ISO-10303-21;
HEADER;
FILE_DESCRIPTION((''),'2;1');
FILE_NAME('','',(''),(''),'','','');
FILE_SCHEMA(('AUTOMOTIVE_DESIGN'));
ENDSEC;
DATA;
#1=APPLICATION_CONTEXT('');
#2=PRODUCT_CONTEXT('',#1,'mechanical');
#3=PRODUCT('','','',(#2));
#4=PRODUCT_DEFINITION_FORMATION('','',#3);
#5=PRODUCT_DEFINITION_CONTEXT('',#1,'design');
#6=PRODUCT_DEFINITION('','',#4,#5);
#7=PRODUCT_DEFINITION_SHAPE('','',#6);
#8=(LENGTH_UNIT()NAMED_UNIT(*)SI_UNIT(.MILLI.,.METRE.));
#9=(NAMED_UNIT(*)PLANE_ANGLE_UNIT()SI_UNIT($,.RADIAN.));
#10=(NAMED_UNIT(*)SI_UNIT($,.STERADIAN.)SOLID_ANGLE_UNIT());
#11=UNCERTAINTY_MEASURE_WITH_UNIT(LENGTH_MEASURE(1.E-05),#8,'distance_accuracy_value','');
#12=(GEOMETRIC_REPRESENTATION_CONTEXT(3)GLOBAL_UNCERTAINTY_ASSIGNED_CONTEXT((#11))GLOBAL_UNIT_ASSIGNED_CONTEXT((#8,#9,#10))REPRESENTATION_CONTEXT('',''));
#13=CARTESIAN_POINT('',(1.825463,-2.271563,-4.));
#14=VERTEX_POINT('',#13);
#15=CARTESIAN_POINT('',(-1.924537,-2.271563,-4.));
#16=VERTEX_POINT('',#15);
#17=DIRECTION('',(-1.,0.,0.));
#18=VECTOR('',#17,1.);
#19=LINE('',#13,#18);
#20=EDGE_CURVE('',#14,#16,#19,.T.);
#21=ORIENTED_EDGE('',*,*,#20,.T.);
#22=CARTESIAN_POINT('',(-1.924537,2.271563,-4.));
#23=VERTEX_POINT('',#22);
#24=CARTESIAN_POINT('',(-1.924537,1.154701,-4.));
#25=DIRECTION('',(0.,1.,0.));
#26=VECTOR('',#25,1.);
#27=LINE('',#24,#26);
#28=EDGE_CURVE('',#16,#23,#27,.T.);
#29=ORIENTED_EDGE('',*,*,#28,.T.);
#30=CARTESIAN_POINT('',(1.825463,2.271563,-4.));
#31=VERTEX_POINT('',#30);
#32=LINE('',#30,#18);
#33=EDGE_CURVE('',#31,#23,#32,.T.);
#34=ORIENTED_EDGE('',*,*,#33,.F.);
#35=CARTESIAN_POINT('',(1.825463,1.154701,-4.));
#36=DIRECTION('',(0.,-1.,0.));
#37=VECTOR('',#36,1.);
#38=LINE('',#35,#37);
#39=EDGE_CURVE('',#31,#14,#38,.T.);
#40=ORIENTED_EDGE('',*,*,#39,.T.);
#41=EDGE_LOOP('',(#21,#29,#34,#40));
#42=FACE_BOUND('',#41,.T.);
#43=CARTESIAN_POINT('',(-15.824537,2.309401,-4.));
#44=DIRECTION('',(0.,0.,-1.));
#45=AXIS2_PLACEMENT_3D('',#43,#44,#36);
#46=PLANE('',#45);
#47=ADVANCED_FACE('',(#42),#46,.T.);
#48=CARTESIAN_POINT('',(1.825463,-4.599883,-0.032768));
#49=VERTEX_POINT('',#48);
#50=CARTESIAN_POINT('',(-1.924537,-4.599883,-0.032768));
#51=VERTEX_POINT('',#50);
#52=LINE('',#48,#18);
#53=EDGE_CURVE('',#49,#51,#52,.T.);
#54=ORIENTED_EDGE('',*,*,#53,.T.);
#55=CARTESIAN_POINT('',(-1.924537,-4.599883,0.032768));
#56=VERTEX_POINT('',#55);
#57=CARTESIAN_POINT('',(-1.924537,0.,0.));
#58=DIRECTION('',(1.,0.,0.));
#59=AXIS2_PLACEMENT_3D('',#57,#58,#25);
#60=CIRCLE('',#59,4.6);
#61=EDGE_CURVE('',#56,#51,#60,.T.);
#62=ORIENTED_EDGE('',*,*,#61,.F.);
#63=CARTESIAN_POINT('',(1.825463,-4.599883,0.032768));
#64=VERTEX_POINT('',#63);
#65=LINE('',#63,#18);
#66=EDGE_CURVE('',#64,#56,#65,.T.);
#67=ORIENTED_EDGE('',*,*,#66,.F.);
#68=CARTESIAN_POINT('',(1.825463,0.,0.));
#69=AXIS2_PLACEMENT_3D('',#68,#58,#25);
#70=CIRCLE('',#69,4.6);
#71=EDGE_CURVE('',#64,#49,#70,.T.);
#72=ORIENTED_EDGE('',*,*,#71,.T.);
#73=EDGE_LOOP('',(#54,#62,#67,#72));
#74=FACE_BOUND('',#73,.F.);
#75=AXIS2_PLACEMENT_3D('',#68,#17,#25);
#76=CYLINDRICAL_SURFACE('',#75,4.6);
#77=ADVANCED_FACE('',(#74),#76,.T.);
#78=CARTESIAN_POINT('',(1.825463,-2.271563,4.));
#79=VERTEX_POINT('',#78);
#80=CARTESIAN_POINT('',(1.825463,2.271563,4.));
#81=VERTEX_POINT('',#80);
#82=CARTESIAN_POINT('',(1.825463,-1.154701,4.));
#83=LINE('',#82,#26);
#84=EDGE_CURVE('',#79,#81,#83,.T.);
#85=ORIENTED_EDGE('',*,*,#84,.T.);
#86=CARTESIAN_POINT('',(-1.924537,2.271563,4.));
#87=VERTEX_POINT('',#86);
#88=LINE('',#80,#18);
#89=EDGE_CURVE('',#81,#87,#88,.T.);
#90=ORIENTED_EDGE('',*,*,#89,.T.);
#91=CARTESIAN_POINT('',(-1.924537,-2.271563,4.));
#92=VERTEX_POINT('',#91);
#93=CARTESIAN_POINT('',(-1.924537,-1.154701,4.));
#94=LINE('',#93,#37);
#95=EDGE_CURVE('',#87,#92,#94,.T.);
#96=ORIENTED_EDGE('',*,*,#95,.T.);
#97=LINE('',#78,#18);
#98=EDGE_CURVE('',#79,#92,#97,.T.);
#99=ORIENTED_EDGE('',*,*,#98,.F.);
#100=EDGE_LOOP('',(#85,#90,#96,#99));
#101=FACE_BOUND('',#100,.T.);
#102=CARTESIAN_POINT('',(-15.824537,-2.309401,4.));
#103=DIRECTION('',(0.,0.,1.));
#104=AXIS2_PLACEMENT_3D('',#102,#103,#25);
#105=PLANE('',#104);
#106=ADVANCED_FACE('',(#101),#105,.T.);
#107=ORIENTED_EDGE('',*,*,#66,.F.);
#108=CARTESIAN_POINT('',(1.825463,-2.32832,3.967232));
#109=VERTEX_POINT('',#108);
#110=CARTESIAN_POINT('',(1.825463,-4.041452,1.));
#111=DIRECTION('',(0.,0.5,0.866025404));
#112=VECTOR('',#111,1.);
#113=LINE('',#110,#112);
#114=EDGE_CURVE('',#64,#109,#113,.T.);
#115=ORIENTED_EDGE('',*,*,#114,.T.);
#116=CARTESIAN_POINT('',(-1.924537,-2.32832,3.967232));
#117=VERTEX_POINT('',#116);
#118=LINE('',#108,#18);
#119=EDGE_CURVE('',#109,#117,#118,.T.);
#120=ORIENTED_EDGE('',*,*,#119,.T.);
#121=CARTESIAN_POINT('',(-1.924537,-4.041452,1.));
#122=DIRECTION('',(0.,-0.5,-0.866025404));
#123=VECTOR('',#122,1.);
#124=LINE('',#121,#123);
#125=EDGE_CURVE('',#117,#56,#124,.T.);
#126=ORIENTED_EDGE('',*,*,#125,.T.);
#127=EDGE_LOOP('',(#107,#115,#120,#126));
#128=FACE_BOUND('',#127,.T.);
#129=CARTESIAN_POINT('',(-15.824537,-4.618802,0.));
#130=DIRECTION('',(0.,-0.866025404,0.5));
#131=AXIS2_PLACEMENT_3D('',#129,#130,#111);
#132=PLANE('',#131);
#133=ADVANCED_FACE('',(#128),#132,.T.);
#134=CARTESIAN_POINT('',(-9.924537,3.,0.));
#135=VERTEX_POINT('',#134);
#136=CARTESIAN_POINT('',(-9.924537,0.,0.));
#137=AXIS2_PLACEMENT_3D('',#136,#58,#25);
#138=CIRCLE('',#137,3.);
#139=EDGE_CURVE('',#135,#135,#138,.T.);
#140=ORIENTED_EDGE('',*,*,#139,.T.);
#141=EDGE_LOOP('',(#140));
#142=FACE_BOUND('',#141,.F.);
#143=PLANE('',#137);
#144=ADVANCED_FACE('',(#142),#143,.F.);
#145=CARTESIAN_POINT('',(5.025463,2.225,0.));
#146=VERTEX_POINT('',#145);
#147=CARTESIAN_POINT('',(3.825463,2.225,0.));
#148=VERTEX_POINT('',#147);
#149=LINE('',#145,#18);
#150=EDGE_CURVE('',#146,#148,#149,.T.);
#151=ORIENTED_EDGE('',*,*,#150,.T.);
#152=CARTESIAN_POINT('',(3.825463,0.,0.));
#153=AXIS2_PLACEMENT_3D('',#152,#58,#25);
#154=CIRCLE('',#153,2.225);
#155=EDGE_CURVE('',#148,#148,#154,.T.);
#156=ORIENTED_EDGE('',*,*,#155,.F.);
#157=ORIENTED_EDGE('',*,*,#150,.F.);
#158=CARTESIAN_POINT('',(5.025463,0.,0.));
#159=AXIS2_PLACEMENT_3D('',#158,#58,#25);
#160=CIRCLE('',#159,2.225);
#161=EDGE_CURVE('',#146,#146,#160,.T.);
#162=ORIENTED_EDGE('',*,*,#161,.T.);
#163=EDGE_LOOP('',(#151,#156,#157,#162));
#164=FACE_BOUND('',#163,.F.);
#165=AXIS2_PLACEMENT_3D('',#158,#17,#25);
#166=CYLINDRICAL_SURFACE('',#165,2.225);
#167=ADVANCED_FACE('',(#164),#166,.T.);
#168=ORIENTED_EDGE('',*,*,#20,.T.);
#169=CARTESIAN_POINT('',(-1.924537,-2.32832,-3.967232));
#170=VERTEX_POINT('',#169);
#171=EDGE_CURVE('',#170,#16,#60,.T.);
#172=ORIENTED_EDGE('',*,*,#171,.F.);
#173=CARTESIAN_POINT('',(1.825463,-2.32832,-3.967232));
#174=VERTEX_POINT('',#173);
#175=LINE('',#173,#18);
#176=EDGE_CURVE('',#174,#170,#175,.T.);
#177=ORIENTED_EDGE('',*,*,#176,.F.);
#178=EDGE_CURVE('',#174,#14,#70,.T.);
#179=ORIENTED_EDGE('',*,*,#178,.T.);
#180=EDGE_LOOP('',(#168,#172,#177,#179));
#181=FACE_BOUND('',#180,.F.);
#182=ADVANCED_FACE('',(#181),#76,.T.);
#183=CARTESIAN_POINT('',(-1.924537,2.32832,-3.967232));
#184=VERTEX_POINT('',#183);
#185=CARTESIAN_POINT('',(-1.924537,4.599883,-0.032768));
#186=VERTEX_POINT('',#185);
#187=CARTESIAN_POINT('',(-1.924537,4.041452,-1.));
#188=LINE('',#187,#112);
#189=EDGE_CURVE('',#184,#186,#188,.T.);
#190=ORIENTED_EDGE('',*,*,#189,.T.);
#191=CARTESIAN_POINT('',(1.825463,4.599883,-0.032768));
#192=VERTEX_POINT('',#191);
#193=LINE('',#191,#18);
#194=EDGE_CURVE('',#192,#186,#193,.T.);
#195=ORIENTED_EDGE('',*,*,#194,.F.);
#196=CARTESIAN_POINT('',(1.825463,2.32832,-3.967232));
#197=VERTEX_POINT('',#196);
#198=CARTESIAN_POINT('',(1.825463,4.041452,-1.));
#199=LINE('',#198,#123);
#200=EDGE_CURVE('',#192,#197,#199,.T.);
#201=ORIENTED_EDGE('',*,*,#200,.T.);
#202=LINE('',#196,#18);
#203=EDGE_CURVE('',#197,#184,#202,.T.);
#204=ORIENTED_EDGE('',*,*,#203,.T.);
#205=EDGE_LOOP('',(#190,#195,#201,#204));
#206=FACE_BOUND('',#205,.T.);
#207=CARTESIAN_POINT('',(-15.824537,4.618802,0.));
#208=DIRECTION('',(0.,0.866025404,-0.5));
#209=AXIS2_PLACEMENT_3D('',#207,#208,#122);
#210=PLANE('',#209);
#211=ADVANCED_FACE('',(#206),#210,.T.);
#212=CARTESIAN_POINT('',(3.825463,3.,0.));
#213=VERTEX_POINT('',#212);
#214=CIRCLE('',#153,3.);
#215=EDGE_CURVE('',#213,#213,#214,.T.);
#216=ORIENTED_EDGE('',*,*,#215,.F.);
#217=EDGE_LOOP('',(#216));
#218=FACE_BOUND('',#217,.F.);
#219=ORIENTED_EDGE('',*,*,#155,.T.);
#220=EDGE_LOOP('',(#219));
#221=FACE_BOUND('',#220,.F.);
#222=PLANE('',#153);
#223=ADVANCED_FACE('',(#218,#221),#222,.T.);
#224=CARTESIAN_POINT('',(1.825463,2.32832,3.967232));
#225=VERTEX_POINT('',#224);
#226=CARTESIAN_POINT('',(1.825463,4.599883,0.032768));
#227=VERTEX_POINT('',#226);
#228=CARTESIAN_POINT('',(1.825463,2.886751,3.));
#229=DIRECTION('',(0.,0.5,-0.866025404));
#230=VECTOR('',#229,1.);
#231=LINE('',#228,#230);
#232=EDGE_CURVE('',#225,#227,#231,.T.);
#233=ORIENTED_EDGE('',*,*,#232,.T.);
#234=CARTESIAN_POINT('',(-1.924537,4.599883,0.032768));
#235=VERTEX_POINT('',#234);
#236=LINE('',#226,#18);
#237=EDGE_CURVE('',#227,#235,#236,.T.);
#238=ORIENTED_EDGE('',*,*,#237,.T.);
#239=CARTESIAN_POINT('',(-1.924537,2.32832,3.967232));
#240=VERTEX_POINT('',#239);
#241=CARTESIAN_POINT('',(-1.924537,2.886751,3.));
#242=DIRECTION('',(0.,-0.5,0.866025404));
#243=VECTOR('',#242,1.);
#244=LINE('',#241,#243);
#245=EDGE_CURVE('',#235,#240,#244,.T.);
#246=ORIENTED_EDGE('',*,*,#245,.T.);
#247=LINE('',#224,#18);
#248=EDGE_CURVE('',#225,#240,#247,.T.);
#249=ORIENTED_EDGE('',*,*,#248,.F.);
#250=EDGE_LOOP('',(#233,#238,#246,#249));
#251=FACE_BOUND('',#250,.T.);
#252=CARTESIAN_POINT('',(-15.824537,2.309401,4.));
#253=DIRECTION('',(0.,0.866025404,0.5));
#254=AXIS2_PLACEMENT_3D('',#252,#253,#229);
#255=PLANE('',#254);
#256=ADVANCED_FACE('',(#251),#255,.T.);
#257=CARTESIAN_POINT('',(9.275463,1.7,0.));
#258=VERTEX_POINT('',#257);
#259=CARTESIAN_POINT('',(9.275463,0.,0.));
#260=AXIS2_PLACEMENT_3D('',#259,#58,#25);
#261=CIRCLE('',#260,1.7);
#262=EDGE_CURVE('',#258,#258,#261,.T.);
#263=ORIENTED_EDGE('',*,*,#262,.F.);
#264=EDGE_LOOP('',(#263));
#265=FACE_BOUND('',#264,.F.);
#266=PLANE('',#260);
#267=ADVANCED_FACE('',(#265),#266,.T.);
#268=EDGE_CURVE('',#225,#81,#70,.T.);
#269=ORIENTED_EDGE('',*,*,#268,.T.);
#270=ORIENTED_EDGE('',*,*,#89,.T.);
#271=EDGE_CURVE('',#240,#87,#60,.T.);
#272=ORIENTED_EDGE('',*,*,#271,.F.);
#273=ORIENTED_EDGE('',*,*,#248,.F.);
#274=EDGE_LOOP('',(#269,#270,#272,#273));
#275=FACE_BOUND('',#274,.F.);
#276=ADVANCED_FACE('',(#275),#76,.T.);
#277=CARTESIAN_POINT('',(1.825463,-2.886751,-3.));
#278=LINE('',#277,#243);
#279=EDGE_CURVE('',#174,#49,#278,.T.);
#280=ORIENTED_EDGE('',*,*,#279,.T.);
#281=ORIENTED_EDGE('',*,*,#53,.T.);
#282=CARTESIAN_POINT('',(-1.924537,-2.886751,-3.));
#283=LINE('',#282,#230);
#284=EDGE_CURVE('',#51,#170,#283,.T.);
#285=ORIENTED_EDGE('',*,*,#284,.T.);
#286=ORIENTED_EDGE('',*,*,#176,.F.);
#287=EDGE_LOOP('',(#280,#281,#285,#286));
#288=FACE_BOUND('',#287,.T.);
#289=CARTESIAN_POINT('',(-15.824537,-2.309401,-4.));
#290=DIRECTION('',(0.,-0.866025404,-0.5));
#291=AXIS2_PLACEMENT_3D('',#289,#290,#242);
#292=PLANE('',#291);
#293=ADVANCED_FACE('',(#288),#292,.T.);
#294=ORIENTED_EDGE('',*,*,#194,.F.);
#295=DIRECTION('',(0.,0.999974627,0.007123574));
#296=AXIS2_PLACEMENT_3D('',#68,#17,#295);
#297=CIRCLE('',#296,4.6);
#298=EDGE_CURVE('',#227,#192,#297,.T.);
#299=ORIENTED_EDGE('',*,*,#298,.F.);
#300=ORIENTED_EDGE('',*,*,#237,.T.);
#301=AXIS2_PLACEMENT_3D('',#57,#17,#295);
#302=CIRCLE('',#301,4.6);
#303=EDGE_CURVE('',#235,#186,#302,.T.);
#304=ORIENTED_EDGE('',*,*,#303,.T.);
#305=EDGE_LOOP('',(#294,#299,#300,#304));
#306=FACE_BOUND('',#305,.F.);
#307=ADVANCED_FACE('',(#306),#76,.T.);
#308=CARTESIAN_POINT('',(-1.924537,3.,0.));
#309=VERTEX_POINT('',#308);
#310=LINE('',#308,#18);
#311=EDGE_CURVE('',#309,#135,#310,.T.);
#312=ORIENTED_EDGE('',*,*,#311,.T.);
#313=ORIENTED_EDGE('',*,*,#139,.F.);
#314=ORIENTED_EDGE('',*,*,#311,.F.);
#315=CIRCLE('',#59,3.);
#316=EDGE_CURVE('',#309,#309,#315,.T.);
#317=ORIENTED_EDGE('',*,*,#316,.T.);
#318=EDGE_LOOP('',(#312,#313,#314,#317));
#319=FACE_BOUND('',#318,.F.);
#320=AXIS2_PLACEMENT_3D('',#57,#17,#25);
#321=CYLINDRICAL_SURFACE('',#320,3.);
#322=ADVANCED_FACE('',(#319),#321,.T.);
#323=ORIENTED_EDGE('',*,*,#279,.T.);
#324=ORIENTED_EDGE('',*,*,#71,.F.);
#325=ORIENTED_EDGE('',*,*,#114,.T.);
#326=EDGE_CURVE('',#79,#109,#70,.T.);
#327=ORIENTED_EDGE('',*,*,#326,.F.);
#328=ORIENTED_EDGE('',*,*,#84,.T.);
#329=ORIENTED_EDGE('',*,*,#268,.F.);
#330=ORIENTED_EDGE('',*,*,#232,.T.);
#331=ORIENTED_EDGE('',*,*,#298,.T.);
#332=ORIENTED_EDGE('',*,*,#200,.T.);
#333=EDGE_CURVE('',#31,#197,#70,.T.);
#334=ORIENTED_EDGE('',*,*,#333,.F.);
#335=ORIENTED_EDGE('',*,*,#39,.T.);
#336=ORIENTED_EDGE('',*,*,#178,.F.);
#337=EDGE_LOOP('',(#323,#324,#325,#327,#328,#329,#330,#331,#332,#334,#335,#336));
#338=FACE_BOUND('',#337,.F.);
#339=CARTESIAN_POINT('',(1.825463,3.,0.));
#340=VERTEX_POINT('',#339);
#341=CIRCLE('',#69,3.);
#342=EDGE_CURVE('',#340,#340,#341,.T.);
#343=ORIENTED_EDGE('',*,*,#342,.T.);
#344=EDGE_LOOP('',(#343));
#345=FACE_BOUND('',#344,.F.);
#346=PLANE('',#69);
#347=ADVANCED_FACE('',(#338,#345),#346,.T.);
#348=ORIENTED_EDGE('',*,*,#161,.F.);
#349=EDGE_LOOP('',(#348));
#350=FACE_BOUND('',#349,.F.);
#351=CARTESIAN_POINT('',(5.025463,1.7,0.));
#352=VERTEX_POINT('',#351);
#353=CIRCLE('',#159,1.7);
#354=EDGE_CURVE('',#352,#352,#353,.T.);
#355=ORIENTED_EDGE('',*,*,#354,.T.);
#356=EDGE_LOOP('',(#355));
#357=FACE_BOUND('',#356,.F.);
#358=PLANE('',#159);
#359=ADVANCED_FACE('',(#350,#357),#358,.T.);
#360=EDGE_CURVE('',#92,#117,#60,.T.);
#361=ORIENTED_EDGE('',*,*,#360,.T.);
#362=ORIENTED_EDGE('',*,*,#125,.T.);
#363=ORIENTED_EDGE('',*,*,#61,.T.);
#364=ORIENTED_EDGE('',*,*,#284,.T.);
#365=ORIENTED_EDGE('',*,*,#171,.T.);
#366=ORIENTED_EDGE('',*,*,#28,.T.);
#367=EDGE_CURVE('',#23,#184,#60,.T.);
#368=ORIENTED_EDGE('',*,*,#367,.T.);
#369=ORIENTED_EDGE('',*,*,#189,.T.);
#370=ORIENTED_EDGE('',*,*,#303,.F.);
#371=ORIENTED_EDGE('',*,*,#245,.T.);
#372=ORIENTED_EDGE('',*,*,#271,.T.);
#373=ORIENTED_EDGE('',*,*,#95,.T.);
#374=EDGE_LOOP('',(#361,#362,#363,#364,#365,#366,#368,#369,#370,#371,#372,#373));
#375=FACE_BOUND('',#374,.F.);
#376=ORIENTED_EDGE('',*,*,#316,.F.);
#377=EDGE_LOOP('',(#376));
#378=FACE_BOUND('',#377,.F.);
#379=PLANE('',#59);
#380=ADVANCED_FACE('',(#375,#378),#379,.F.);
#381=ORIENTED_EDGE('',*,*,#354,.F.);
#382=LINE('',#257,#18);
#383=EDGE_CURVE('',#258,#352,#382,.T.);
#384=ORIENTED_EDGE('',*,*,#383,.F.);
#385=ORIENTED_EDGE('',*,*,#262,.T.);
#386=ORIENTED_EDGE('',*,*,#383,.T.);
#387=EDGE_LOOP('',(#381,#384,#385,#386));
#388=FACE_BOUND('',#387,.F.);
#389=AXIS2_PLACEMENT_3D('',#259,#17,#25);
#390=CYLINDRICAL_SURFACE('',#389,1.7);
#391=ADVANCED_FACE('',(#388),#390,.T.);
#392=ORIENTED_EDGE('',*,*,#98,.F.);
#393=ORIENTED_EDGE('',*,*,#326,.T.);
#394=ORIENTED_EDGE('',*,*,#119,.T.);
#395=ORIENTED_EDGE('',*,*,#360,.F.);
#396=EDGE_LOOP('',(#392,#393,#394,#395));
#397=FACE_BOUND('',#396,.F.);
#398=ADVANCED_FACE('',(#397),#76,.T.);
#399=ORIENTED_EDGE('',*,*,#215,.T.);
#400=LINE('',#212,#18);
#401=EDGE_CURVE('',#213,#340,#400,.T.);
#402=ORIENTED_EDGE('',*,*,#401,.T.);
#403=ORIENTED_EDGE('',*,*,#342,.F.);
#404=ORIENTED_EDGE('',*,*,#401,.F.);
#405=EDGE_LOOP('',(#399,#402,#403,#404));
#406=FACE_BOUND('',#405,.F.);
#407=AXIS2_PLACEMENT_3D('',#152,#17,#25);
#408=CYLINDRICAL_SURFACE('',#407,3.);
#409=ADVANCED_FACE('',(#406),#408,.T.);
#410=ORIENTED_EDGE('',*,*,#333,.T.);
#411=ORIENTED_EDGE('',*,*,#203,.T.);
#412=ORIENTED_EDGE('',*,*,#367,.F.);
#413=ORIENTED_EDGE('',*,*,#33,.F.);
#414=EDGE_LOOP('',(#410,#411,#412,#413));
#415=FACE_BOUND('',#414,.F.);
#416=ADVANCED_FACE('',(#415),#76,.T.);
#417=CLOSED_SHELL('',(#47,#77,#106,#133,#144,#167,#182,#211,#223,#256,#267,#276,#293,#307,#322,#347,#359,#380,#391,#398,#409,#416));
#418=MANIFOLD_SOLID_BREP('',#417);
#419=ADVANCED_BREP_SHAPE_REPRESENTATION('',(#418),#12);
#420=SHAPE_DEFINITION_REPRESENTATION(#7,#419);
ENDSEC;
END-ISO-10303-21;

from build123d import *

# Parameters (mm, degrees)
F3_START = 13.9
F3_DEPTH = 38.9


with BuildPart() as f1:
    # F0 (on Top) → F1 (revolve)
    with BuildSketch(Plane.XY):
        Polygon((-9.9245372606, 3), (-9.9245372606, 0), (9.2754627394, 0), (9.2754627394, 1.7), (5.0254627394, 1.7), (5.0254627394, 2.225), (3.8254627394, 2.225), (3.8254627394, 3), (1.8254627394, 3), (1.8254627394, 4.6), (-1.9245372606, 4.6), (-1.9245372606, 3), align=None)
    revolve(axis=Axis((-0.3245372606, 0, 0), (1, 0, 0)))

    # F2 (on face) → F3 (intersect)
    with BuildSketch(Plane(origin=(-1.9245372606, 0, 0), x_dir=(0, -1, 0), z_dir=(-1, 0, 0)).offset(F3_START)):
        Polygon((2.3094010768, 4), (-2.3094010768, 4), (-4.6188021535, 0), (-2.3094010768, -4), (2.3094010768, -4), (4.6188021535, 0), align=None)
    extrude(amount=-F3_DEPTH, mode=Mode.INTERSECT)


solid = f1.part
